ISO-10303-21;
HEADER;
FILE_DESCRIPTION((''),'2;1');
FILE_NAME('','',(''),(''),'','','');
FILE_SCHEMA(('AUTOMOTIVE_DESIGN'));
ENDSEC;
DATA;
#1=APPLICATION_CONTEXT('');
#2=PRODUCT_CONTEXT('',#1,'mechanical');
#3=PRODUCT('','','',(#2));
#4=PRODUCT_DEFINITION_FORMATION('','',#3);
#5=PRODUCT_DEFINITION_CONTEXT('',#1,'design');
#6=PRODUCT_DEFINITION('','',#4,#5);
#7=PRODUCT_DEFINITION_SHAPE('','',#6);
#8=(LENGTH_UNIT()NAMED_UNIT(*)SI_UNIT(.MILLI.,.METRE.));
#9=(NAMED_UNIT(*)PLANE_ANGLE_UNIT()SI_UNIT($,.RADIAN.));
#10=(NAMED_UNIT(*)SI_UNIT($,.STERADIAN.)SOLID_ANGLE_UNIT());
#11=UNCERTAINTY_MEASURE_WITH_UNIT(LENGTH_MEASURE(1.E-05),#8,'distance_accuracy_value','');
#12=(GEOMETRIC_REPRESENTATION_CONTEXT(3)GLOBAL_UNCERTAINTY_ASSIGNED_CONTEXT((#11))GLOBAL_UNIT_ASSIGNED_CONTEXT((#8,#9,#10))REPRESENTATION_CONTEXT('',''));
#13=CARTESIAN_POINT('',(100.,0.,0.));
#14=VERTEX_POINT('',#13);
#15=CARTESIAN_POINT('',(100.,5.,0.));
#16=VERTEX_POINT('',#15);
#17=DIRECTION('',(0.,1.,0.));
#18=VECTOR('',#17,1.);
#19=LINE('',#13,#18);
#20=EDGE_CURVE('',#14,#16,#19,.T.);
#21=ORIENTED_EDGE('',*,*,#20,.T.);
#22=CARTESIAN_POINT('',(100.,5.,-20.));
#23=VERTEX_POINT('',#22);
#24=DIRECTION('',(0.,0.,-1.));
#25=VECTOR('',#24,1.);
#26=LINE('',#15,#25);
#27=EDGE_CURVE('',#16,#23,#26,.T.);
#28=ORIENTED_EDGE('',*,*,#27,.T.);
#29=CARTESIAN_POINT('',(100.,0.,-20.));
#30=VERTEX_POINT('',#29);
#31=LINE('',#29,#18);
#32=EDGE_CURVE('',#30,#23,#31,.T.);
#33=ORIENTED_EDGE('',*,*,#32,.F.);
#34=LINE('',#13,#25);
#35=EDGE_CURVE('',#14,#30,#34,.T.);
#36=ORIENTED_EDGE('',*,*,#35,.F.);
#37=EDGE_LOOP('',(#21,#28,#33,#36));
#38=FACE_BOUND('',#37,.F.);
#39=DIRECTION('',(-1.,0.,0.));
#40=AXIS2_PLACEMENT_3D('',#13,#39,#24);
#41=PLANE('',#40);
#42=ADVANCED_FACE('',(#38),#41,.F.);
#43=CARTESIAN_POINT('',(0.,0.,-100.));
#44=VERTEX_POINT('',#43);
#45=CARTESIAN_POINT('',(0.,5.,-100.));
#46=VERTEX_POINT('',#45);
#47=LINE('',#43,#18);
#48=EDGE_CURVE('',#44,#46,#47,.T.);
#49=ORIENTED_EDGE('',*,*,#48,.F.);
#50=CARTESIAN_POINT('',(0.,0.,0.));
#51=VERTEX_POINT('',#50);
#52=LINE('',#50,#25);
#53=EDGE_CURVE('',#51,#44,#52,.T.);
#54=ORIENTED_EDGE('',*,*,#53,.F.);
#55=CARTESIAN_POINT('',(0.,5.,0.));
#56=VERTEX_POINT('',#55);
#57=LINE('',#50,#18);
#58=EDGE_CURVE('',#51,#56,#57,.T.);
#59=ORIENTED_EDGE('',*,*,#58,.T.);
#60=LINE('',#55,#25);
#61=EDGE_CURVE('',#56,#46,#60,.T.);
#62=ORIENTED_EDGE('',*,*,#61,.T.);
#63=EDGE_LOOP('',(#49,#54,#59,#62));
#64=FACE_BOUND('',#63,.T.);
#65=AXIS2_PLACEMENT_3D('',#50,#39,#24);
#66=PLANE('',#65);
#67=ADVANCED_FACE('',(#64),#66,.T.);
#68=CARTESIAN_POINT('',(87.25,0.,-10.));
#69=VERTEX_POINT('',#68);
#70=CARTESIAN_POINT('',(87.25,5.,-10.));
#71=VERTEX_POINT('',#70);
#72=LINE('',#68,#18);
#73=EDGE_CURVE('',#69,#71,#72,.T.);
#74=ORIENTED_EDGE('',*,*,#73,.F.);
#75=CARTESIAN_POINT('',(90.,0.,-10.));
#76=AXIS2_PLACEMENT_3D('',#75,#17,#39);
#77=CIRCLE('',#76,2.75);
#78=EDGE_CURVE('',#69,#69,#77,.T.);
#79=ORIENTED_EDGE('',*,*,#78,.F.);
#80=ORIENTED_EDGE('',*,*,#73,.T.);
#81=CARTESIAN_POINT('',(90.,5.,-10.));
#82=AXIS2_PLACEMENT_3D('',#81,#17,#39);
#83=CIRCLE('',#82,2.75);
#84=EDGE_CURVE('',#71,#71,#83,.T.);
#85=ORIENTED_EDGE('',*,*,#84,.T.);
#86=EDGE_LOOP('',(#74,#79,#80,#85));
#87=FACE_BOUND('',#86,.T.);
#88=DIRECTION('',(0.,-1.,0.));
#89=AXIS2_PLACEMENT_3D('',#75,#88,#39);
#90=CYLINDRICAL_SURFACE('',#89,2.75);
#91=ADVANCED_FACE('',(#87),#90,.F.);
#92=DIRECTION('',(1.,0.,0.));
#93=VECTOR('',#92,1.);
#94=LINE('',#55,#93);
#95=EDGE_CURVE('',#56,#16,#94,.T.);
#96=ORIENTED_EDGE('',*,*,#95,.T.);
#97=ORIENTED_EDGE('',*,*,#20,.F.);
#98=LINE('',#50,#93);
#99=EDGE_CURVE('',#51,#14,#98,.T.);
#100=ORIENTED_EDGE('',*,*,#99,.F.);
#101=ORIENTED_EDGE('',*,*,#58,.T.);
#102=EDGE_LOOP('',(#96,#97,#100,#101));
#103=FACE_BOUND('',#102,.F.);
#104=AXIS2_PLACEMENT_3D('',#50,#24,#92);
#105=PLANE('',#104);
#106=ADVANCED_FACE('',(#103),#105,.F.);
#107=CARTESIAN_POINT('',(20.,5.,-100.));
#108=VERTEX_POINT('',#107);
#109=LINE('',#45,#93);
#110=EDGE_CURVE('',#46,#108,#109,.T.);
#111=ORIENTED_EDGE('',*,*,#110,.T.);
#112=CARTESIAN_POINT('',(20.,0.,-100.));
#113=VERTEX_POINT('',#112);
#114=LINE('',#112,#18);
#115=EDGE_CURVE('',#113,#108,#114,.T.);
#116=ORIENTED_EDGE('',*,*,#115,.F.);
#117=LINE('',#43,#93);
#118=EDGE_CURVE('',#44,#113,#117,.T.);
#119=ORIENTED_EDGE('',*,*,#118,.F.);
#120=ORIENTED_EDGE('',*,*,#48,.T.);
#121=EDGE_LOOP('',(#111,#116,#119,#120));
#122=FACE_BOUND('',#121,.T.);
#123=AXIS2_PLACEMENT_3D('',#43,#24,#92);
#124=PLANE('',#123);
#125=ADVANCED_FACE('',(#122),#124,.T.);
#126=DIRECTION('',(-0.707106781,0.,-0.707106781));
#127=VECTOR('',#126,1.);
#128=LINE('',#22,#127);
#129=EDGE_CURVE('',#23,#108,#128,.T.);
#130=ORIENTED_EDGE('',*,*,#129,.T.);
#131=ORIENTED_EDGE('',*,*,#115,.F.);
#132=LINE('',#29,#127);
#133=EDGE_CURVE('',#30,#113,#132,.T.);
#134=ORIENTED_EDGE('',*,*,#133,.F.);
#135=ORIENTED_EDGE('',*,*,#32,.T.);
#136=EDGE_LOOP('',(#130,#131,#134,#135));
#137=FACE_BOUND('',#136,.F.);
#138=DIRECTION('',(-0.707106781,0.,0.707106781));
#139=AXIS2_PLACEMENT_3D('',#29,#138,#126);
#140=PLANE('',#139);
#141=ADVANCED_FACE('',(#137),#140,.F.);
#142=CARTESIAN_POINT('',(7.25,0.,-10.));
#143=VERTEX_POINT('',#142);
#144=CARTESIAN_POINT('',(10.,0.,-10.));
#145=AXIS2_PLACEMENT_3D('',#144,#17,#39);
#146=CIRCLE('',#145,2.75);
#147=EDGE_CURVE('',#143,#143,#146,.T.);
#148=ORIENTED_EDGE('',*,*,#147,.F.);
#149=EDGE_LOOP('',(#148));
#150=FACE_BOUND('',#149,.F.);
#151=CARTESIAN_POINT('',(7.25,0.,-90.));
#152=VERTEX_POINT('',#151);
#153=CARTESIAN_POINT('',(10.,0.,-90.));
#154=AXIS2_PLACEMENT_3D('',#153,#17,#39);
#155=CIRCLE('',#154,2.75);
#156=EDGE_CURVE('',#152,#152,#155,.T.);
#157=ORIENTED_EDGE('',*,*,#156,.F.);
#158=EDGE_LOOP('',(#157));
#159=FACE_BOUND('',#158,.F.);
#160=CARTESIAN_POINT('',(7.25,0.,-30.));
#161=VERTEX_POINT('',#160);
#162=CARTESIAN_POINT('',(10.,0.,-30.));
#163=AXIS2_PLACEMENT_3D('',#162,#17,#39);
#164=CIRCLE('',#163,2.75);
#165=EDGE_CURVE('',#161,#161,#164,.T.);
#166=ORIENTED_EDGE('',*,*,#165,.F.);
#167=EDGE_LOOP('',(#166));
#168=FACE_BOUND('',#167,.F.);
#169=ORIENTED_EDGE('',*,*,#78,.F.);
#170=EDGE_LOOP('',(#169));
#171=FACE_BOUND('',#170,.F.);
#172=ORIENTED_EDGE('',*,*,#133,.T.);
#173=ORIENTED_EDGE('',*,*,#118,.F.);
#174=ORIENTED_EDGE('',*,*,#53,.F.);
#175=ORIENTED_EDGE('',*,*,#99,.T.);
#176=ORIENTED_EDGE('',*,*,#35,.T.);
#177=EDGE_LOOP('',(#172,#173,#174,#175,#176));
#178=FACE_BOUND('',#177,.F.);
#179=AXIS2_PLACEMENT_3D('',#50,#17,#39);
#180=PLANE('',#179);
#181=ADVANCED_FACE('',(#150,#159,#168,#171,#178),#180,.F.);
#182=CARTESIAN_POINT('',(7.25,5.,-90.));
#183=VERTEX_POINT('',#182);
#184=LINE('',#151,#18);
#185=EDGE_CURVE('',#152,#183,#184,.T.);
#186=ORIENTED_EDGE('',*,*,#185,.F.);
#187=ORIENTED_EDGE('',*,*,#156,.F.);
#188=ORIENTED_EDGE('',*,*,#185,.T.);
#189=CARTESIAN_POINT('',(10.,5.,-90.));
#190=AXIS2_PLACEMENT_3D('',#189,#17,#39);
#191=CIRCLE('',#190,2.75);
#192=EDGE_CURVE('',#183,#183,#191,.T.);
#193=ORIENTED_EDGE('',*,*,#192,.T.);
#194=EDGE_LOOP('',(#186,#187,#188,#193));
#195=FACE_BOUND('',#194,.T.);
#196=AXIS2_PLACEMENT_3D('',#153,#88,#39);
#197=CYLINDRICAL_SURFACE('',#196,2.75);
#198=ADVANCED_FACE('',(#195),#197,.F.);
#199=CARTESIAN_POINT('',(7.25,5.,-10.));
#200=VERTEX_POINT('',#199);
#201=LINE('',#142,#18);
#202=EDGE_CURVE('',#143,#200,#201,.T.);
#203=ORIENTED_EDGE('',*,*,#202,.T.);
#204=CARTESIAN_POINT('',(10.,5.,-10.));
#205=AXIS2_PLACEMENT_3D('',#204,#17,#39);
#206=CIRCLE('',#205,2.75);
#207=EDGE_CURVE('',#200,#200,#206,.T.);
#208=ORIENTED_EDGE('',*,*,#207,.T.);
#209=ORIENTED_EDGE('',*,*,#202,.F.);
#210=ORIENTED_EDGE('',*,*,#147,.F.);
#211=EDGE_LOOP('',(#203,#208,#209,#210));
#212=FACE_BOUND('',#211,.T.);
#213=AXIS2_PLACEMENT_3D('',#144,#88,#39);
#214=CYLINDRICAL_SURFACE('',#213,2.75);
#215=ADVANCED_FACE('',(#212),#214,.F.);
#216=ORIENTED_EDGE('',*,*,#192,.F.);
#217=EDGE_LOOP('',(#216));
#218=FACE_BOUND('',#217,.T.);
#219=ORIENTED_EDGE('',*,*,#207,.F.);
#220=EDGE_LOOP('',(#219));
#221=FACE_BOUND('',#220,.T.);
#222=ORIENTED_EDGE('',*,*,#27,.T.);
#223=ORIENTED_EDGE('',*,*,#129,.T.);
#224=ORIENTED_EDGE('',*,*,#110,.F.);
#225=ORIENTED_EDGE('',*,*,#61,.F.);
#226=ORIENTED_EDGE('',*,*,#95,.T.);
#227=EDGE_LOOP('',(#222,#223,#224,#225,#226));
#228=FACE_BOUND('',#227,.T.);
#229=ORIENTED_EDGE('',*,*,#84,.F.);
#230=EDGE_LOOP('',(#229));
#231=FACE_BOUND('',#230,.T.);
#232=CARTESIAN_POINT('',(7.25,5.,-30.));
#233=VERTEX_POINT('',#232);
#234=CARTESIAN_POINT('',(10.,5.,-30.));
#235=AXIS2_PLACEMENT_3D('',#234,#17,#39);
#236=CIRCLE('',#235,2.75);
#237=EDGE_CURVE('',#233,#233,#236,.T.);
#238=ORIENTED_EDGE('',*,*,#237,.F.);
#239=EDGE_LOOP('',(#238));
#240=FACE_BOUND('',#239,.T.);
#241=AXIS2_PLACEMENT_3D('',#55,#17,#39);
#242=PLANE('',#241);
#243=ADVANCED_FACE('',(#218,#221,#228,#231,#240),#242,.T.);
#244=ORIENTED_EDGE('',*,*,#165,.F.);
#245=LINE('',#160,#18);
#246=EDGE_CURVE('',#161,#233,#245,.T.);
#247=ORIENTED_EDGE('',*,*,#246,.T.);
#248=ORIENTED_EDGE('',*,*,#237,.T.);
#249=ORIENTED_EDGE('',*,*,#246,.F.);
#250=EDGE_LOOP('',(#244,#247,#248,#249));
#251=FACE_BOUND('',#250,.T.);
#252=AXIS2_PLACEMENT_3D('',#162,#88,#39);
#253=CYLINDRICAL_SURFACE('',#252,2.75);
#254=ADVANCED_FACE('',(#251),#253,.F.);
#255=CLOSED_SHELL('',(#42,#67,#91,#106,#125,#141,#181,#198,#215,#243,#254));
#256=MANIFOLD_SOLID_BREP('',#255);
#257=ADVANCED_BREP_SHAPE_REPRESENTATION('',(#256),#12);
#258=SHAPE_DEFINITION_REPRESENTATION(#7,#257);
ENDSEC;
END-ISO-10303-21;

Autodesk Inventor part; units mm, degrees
ref_plane "YZ Plane" through (0, 0, 0) normal (1, 0, 0) x (0, 1, 0)
ref_plane "XZ Plane" through (0, 0, 0) normal (0, 1, 0) x (-1, 0, 0)
ref_plane "XY Plane" through (0, 0, 0) normal (0, 0, 1) x (1, 0, 0)
sketch "Sketch1" plane through (0, 0, 0) normal (0, 1, 0) x (-1, 0, 0)
  line L0 (0, 0) -> (0, -100)
  line L1 (0, -100) -> (-20, -100)
  line L2 (0, 0) -> (-100, 0)
  line L3 (-100, 0) -> (-100, -20)
  line L4 (-100, -20) -> (-20, -100)
  line L5 (26.0864, -10) -> (-132.7995, -10) construction
  line L6 (-10, 33.7229) -> (-10, -136.0235) construction
  circle A0 centre (-10, -10) radius 2.75
  circle A1 centre (-10, -90) radius 2.75
  circle A2 centre (-10, -30) radius 2.75
  circle A3 centre (-90, -10) radius 2.75
  dimension "d0" = 100
  dimension "d1" = 20
  dimension "d2" = 100
  dimension "d3" = 20
  dimension "d4" = 10
  dimension "d5" = 10
  dimension "d6" = 5.5
  dimension "d7" = 5.5
  dimension "d8" = 5.5
  dimension "d9" = 5.5
  dimension "d10" = 10
  dimension "d11" = 30
  dimension "d12" = 10
extrude "Extrusion1" add sketch "Sketch1" along normal blind 5
equation "\"d0\" = dimension"
equation "\"d1\" = perfil_ancho"
equation "\"d2\" = dimension"
equation "\"d3\" = perfil_ancho"
equation "\"d4\" = 0.5 * perfil_ancho"
equation "\"d5\" = 0.5 * perfil_ancho"
equation "\"d6\" = hueco_diametro"
equation "\"d7\" = hueco_diametro"
equation "\"d8\" = hueco_diametro"
equation "\"d9\" = hueco_diametro"
equation "\"d10\" = separación"
equation "\"d11\" = perfil_ancho + separación"
equation "\"d12\" = separación"
equation "\"d13\" = espesor"
equation "\"perfil_ancho\" = 20"
equation "\"dimension\" = 100"
equation "\"separación\" = 10"
equation "\"espesor\" = 5"
equation "\"tol\" = 0.5"
equation "\"hueco_diametro\" = 5.5"
properties part number "soporte tipo triangulo"
